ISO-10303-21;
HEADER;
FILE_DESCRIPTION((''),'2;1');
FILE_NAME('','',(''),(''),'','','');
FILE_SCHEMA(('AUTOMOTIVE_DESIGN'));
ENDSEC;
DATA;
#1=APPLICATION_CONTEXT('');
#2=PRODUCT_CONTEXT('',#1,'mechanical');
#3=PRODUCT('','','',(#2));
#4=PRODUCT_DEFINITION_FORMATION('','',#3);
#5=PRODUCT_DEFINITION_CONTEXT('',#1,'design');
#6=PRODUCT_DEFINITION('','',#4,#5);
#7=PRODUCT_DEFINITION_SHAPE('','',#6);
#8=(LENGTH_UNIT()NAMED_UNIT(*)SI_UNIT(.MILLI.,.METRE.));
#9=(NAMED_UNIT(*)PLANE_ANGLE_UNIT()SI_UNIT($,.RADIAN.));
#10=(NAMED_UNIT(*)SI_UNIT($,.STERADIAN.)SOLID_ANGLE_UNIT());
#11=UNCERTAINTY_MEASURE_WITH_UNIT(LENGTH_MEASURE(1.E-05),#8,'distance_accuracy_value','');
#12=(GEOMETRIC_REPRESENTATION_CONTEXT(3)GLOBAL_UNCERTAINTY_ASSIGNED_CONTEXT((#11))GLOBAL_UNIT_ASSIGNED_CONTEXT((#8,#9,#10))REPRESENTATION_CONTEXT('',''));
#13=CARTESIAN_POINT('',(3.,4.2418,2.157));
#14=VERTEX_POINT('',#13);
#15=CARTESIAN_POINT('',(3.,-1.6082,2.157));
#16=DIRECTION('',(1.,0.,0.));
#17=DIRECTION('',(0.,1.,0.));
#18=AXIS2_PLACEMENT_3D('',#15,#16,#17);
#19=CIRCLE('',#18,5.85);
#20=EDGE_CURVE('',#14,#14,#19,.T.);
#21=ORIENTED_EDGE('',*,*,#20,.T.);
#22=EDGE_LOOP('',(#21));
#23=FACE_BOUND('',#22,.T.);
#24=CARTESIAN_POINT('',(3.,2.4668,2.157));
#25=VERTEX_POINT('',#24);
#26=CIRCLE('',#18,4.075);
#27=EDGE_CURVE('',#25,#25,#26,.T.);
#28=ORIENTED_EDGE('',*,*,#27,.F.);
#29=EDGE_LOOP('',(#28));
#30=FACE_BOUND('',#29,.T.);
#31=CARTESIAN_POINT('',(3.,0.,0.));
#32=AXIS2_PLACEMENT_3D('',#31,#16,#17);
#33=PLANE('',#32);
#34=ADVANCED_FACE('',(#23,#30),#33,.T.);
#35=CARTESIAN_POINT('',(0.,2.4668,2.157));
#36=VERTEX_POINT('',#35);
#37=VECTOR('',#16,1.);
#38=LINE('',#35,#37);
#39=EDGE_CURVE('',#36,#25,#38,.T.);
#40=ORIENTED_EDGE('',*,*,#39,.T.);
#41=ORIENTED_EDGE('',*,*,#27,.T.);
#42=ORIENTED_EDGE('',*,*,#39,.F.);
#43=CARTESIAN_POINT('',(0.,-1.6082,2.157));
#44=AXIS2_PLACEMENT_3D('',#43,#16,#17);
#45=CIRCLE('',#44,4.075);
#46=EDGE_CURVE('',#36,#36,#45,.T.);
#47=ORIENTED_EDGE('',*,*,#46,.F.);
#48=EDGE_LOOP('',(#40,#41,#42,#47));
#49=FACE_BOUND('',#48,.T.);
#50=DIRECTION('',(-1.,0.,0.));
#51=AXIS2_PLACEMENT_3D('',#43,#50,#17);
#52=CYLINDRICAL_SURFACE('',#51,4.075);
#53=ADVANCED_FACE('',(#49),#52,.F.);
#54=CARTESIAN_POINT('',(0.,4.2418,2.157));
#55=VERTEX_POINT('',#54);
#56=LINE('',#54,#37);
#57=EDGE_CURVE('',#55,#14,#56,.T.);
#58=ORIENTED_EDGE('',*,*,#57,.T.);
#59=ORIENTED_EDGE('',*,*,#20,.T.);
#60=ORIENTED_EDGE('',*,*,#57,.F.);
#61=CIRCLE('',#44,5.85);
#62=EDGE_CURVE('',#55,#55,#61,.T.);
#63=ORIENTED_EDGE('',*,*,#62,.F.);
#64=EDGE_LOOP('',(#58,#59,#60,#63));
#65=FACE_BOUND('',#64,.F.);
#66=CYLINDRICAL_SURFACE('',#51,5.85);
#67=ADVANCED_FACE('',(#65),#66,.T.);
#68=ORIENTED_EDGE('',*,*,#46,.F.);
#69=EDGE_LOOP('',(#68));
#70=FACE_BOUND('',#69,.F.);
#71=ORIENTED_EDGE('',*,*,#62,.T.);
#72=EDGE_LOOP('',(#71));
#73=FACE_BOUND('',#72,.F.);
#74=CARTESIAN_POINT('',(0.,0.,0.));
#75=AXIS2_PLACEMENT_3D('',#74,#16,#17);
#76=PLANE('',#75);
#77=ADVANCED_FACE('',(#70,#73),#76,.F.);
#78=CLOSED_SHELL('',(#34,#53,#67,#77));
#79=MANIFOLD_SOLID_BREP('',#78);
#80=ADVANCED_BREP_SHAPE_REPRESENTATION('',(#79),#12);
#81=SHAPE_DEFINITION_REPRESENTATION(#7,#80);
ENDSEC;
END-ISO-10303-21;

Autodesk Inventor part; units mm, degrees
ref_plane "YZ Plane" through (0, 0, 0) normal (1, 0, 0) x (0, 1, 0)
ref_plane "XZ Plane" through (0, 0, 0) normal (0, 1, 0) x (-1, 0, 0)
ref_plane "XY Plane" through (0, 0, 0) normal (0, 0, 1) x (1, 0, 0)
sketch "Skizze3" plane through (0, 0, 0) normal (1, 0, 0) x (0, 1, 0)
  circle A0 centre (-1.6082, 2.157) radius 3.99 construction
  circle A1 centre (-1.6082, 2.157) radius 5.35 construction
  circle A2 centre (-1.6082, 2.157) radius 4.075
  circle A3 centre (-1.6082, 2.157) radius 5.85
  point P0 (0, 0)
  dimension "d2" = 8.15
  dimension "d3" = 11.7
extrude "Extrusion2" add sketch "Skizze3" along normal blind 3
properties part number "distance_long"
